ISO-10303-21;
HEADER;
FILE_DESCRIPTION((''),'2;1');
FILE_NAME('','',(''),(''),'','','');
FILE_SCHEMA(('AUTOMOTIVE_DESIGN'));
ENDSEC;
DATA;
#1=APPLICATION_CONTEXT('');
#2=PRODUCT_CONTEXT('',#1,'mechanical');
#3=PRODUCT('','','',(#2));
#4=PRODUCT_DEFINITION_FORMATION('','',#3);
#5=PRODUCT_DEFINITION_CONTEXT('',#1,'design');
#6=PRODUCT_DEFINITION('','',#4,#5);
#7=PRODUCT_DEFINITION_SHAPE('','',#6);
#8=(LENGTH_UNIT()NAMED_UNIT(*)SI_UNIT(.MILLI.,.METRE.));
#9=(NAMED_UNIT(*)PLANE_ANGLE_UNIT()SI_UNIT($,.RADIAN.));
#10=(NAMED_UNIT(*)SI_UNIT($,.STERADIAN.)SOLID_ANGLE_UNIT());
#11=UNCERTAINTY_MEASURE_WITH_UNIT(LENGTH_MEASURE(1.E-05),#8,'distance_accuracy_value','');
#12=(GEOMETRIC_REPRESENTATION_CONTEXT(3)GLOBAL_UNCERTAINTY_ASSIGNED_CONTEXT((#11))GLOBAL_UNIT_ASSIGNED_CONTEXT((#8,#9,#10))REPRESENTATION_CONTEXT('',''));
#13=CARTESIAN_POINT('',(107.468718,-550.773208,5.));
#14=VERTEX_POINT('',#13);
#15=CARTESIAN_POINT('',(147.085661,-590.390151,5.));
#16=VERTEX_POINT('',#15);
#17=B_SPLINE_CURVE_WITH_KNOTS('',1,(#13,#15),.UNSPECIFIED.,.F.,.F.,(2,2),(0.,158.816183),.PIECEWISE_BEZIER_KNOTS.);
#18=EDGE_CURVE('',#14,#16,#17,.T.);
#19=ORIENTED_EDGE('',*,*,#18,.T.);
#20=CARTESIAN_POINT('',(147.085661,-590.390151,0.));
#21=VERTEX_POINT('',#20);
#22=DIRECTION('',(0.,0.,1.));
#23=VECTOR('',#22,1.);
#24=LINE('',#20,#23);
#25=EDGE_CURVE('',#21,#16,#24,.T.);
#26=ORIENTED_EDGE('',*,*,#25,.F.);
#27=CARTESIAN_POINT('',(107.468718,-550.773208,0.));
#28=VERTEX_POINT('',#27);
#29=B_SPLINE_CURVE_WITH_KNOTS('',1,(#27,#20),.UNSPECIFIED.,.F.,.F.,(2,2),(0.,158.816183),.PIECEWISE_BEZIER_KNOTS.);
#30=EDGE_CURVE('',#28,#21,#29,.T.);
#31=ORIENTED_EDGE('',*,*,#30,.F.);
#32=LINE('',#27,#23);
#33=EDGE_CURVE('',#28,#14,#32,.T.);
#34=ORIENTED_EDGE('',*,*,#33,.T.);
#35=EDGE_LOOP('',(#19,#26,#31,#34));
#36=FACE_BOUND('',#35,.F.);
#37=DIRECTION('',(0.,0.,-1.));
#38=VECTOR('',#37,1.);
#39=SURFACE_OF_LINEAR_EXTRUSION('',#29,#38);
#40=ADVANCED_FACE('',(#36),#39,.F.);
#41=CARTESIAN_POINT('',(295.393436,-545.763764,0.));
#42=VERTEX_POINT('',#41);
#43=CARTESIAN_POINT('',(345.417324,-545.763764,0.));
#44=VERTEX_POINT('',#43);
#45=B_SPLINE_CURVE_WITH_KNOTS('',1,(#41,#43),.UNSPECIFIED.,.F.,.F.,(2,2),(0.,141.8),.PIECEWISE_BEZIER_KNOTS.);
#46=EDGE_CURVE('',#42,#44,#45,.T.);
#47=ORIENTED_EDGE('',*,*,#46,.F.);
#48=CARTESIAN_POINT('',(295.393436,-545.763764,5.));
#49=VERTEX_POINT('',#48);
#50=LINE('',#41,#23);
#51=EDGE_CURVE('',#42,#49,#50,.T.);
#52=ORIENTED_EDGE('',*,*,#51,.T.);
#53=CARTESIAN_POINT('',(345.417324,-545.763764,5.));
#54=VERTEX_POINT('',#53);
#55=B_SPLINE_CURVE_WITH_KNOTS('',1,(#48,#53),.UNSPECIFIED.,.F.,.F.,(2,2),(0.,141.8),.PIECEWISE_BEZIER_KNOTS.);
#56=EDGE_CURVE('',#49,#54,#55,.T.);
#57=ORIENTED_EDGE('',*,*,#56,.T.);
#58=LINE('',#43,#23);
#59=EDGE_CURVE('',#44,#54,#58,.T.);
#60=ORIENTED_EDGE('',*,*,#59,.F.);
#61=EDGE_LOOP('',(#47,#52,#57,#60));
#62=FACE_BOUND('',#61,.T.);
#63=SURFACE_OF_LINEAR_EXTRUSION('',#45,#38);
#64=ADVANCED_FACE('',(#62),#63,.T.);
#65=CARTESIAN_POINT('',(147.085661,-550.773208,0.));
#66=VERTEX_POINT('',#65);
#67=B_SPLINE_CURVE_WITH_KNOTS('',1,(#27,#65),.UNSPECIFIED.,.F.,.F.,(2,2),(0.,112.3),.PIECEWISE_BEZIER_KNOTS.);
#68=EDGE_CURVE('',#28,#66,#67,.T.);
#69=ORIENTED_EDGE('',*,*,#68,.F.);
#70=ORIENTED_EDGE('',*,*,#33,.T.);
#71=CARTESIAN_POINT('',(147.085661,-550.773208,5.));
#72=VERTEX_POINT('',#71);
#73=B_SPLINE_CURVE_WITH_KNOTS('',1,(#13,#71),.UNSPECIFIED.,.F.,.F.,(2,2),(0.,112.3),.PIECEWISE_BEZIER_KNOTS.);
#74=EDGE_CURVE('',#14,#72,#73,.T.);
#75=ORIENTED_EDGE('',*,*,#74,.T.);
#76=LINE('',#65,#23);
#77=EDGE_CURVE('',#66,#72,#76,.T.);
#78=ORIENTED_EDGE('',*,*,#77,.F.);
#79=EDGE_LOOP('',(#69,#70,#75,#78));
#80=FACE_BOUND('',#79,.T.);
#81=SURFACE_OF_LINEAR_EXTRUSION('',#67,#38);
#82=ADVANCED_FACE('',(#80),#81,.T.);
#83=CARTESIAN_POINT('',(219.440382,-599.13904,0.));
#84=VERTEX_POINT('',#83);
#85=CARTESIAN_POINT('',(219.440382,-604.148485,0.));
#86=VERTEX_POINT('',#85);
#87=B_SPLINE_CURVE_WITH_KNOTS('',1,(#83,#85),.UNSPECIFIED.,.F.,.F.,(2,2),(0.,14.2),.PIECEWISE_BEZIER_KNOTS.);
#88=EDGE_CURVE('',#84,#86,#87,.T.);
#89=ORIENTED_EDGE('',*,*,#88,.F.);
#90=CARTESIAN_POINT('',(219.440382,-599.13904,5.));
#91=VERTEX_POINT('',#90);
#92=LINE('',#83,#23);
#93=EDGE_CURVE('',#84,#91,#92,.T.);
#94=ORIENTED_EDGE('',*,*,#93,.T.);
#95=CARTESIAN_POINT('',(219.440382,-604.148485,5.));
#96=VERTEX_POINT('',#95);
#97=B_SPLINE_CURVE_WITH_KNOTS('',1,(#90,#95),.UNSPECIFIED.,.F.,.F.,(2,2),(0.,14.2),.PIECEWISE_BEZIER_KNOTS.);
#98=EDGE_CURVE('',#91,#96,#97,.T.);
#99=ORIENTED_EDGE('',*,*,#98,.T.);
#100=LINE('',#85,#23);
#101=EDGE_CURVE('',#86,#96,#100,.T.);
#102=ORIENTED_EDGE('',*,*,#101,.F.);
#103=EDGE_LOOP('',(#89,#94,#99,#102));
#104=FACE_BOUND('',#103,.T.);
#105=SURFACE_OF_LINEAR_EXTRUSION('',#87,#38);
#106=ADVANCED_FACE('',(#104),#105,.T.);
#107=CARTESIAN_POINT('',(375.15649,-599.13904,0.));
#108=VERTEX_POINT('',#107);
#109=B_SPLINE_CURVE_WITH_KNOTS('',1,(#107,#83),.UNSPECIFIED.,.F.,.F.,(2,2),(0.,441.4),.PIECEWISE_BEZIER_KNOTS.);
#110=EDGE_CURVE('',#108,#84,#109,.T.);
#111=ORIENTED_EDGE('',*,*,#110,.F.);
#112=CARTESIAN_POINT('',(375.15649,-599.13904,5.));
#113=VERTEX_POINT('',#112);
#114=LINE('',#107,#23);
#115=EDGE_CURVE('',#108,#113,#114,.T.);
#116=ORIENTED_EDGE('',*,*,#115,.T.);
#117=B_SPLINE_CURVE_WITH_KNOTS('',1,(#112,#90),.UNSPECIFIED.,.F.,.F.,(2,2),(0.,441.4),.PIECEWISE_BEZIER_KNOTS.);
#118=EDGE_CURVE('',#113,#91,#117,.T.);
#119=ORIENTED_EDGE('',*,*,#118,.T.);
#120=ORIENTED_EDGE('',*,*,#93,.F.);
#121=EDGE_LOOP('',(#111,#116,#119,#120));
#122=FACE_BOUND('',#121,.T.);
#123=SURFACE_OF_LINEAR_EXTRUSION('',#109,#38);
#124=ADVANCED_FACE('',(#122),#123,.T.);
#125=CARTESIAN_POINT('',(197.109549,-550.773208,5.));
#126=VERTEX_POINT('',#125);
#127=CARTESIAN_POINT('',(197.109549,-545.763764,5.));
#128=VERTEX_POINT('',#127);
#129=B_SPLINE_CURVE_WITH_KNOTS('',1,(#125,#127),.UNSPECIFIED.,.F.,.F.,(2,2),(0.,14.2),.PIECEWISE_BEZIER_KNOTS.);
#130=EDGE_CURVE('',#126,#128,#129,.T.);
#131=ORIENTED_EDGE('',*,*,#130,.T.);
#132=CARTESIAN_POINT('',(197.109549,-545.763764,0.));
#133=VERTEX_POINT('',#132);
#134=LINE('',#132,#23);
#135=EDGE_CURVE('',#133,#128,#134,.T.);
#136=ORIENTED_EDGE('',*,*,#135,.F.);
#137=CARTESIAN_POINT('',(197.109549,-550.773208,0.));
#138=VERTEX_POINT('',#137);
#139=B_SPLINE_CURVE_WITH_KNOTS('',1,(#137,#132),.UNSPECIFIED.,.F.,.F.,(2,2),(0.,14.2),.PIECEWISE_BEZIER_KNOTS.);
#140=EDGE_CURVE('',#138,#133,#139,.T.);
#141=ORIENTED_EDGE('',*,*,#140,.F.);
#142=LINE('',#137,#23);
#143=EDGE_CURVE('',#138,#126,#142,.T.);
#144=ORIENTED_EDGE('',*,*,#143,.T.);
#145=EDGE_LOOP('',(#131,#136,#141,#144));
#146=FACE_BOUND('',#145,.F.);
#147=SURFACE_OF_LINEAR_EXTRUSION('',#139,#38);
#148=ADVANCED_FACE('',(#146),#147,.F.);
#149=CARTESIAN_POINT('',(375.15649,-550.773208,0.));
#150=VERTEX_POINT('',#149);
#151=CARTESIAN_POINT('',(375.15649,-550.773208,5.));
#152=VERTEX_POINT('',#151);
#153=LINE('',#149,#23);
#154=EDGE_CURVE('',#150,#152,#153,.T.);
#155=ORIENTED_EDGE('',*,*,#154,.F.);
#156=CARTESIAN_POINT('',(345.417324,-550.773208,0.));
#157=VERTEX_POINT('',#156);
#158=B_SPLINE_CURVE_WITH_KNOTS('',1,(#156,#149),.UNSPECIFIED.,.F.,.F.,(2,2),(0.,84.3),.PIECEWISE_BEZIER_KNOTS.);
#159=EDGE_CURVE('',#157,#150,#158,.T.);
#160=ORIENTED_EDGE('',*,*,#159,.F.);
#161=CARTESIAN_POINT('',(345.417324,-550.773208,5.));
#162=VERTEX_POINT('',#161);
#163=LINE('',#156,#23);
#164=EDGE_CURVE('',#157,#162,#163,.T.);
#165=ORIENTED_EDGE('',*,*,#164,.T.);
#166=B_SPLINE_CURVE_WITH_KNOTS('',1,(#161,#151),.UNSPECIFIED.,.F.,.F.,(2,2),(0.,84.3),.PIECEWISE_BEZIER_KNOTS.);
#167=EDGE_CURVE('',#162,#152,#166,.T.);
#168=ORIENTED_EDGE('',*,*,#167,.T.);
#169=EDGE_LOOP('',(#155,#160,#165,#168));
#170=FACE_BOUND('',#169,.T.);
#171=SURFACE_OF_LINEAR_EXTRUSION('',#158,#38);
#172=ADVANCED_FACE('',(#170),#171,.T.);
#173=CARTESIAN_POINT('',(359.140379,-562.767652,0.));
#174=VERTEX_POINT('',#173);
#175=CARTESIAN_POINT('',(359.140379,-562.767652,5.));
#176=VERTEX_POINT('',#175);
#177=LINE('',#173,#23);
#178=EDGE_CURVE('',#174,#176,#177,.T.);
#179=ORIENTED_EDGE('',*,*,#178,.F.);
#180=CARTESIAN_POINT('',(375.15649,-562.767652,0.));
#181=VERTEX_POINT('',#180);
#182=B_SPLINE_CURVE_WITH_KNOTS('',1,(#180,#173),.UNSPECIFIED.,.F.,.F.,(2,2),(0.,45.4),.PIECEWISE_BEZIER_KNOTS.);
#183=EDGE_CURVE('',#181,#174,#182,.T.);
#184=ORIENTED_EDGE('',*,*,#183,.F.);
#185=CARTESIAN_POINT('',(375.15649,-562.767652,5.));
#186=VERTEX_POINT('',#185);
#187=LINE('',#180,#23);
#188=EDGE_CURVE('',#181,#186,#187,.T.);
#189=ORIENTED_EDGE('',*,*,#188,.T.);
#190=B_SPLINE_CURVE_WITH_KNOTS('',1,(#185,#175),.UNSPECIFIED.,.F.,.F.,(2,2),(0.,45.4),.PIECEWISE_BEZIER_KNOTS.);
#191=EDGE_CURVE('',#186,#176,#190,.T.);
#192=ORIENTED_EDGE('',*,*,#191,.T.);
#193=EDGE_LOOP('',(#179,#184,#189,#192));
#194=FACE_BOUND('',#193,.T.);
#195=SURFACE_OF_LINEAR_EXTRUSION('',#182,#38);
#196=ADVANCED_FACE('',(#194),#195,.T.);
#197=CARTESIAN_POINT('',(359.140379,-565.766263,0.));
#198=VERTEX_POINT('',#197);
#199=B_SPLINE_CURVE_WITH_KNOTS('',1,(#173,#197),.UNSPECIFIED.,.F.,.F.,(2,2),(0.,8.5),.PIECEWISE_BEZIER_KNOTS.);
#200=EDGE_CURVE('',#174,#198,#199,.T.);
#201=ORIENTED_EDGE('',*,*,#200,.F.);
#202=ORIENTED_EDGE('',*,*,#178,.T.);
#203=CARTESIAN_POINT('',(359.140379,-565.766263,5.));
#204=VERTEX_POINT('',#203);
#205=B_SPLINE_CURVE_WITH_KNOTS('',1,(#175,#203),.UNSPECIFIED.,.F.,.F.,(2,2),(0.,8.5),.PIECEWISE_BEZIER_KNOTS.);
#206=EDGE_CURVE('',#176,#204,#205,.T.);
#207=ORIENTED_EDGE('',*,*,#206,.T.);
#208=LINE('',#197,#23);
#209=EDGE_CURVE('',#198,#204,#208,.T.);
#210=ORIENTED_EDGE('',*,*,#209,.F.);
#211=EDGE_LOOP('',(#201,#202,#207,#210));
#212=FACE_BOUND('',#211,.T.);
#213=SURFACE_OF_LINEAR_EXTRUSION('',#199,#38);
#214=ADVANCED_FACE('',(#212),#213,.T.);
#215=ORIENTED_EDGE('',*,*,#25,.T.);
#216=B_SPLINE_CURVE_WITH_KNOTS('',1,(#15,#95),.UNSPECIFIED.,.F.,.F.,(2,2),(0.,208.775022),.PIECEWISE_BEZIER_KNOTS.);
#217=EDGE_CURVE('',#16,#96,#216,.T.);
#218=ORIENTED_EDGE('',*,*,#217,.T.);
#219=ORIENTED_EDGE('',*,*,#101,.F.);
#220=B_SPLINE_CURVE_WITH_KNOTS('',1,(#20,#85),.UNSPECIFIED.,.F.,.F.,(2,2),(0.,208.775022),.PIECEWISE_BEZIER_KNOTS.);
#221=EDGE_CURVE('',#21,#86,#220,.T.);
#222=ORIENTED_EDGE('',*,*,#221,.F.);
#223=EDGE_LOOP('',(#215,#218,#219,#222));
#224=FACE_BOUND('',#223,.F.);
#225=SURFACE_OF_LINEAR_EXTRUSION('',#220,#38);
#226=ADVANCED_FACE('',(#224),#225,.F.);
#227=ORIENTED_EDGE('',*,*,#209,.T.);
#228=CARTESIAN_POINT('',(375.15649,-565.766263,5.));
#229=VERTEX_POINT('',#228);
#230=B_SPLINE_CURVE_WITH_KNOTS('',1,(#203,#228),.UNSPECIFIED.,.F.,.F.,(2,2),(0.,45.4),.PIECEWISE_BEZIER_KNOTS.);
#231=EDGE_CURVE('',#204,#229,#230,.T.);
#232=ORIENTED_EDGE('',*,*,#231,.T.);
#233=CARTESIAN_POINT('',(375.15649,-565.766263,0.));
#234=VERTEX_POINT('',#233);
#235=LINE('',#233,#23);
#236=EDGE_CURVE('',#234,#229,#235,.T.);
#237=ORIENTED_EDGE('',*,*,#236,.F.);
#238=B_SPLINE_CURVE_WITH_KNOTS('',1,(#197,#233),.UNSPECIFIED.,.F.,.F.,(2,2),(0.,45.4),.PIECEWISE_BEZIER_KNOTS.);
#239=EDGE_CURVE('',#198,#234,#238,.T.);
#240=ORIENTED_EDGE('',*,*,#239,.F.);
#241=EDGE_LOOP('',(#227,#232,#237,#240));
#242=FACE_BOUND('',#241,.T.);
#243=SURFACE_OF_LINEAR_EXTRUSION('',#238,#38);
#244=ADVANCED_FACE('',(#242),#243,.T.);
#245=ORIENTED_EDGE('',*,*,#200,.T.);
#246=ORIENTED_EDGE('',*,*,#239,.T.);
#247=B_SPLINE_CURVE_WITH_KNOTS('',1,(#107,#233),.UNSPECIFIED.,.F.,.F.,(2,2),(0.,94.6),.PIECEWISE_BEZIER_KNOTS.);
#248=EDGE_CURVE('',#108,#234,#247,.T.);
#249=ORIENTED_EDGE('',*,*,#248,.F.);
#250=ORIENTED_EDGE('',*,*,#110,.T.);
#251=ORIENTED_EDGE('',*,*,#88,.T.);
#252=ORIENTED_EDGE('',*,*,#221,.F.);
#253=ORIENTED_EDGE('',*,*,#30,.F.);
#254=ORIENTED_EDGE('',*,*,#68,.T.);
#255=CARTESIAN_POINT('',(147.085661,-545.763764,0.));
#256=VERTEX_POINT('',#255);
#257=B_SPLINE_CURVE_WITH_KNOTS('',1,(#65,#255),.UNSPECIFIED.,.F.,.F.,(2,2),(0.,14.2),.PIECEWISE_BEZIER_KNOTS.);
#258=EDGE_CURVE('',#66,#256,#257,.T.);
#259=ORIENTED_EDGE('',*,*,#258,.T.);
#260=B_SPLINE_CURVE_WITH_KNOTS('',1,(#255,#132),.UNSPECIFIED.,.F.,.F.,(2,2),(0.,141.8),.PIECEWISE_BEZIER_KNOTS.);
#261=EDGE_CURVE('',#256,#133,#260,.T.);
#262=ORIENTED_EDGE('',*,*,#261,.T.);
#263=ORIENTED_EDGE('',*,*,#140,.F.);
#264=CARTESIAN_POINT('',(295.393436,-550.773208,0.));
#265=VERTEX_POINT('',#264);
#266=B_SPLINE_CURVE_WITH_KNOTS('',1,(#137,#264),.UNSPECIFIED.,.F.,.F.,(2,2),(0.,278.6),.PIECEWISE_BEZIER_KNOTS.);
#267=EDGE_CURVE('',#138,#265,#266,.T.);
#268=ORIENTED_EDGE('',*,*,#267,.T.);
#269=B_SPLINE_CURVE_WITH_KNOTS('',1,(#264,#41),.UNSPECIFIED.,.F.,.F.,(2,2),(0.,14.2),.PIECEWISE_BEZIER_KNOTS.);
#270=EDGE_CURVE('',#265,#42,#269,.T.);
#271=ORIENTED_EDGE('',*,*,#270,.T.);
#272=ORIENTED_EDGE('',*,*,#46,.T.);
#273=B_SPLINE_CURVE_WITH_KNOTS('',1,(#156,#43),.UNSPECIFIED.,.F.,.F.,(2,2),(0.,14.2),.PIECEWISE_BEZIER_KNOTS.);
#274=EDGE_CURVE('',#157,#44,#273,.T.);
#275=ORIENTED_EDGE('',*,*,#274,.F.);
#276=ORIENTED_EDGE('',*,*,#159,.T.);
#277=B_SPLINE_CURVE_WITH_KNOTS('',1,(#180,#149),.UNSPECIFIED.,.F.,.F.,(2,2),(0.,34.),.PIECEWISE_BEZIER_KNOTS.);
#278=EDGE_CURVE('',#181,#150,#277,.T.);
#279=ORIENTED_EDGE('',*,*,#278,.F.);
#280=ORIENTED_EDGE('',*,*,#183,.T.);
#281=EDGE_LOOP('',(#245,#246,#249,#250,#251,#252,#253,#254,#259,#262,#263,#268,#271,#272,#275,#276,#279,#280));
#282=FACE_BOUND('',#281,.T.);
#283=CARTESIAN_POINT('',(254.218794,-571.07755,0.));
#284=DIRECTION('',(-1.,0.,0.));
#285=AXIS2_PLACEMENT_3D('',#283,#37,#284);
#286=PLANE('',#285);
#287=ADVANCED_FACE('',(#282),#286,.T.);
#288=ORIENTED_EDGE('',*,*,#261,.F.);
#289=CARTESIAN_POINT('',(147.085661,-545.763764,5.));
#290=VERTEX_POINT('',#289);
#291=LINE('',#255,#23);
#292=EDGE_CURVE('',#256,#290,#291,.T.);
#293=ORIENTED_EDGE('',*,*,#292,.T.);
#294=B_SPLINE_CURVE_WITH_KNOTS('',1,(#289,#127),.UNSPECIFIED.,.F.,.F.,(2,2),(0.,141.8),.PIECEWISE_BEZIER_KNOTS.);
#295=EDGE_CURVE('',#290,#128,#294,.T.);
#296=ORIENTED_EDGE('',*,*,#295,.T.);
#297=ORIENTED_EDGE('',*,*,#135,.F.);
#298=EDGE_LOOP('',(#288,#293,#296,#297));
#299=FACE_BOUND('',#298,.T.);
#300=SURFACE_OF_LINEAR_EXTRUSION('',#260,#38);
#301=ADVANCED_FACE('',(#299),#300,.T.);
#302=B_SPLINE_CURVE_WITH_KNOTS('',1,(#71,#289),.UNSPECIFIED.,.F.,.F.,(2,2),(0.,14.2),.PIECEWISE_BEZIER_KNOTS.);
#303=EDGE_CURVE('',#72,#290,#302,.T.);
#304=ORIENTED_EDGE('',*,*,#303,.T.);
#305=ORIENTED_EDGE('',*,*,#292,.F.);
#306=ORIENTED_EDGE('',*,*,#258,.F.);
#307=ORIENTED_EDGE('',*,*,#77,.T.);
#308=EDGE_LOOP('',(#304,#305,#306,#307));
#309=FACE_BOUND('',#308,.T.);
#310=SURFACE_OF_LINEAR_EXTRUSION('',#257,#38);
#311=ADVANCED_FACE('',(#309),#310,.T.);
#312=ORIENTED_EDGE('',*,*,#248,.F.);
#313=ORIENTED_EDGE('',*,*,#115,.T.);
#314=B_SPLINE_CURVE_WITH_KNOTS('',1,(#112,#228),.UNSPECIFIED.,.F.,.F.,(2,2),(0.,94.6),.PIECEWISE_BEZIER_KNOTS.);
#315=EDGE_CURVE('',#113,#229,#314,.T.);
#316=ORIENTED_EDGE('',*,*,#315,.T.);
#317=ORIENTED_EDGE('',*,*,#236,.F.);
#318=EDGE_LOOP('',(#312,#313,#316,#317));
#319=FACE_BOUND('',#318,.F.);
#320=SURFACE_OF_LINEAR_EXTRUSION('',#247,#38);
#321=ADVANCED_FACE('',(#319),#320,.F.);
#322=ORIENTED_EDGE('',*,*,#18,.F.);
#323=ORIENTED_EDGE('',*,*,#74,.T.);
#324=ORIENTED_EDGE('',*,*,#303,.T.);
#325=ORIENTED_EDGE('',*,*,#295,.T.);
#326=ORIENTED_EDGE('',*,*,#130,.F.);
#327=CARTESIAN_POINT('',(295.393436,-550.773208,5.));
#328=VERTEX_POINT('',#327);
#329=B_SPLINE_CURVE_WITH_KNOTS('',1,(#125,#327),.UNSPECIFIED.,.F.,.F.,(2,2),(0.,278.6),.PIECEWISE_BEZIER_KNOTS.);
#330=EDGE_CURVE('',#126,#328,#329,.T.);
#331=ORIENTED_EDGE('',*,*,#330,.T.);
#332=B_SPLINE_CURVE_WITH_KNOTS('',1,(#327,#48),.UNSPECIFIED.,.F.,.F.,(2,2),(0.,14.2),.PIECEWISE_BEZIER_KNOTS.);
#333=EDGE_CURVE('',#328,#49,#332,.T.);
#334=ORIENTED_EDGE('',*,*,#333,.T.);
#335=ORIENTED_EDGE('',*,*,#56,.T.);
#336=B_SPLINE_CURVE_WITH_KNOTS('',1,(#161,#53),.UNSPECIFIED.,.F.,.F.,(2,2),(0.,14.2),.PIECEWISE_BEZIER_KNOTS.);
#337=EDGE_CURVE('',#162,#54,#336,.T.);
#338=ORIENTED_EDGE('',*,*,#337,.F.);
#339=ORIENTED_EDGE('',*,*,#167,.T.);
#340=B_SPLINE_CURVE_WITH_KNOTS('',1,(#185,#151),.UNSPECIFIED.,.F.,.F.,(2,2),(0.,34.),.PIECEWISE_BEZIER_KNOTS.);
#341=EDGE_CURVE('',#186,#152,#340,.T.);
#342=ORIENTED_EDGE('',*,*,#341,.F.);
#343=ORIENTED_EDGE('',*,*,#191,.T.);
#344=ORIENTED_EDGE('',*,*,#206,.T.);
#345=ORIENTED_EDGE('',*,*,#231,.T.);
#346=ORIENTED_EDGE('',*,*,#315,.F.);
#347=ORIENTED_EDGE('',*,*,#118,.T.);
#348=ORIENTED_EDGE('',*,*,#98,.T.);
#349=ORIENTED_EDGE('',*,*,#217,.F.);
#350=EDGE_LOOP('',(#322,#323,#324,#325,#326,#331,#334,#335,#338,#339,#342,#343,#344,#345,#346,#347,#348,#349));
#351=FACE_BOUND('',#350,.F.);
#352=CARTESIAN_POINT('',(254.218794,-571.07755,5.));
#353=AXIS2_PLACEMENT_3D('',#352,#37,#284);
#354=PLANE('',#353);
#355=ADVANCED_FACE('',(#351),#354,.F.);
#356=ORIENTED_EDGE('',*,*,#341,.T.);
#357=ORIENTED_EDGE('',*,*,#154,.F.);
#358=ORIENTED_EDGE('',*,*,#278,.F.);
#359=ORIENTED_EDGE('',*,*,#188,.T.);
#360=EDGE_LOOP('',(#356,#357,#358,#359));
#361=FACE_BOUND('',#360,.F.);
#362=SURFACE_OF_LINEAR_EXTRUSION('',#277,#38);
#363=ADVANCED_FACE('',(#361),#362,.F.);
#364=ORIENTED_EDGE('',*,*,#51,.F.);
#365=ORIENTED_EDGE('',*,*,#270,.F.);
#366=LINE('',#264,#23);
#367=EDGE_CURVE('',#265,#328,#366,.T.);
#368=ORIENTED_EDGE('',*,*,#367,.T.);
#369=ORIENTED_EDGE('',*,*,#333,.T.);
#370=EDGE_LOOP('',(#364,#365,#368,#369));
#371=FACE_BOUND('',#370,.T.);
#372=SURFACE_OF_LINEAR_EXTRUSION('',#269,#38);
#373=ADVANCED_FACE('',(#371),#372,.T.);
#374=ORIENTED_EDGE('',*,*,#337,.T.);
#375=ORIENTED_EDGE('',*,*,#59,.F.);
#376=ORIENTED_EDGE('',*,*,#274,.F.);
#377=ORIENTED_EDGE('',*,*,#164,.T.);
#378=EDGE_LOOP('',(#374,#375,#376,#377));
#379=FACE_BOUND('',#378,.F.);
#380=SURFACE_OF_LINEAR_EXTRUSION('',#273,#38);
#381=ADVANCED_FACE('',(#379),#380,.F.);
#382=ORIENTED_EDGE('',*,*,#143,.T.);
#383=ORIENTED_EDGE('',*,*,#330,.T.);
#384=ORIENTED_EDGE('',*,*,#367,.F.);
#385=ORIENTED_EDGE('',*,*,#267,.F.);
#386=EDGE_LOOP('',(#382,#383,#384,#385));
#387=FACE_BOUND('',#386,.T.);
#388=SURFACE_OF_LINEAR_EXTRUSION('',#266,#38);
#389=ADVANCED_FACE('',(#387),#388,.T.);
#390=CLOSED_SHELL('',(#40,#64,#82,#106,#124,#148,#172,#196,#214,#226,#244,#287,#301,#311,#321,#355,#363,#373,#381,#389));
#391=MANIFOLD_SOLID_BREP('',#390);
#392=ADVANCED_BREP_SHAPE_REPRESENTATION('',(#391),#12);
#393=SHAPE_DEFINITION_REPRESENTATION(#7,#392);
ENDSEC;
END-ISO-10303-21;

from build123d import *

# Parameters (mm, degrees)
PAD008_DEPTH = 5


with BuildPart() as part:
    # Sketch009 → Pad008 (new body)
    with BuildSketch(Plane.XY):
        with BuildLine():
            add(Edge.make_bspline(
                [(107.468718, -550.773208), (147.085661, -550.773208)],
                knots=[0, 0, 112.3, 112.3], degree=1))
            add(Edge.make_bspline(
                [(147.085661, -550.773208), (147.085661, -545.763764)],
                knots=[0, 0, 14.2, 14.2], degree=1))
            add(Edge.make_bspline(
                [(147.085661, -545.763764), (197.109549, -545.763764)],
                knots=[0, 0, 141.8, 141.8], degree=1))
            add(Edge.make_bspline(
                [(197.109549, -550.773208), (197.109549, -545.763764)],
                knots=[0, 0, 14.2, 14.2], degree=1))
            add(Edge.make_bspline(
                [(197.109549, -550.773208), (295.393436, -550.773208)],
                knots=[0, 0, 278.6, 278.6], degree=1))
            add(Edge.make_bspline(
                [(295.393436, -550.773208), (295.393436, -545.763764)],
                knots=[0, 0, 14.2, 14.2], degree=1))
            add(Edge.make_bspline(
                [(295.393436, -545.763764), (345.417324, -545.763764)],
                knots=[0, 0, 141.8, 141.8], degree=1))
            add(Edge.make_bspline(
                [(345.417324, -550.773208), (345.417324, -545.763764)],
                knots=[0, 0, 14.2, 14.2], degree=1))
            add(Edge.make_bspline(
                [(345.417324, -550.773208), (375.15649, -550.773208)],
                knots=[0, 0, 84.3, 84.3], degree=1))
            add(Edge.make_bspline(
                [(375.15649, -562.767652), (375.15649, -550.773208)],
                knots=[0, 0, 34, 34], degree=1))
            add(Edge.make_bspline(
                [(375.15649, -562.767652), (359.140379, -562.767652)],
                knots=[0, 0, 45.4, 45.4], degree=1))
            add(Edge.make_bspline(
                [(359.140379, -562.767652), (359.140379, -565.766263)],
                knots=[0, 0, 8.5, 8.5], degree=1))
            add(Edge.make_bspline(
                [(359.140379, -565.766263), (375.15649, -565.766263)],
                knots=[0, 0, 45.4, 45.4], degree=1))
            add(Edge.make_bspline(
                [(375.15649, -599.13904), (375.15649, -565.766263)],
                knots=[0, 0, 94.6, 94.6], degree=1))
            add(Edge.make_bspline(
                [(375.15649, -599.13904), (219.440382, -599.13904)],
                knots=[0, 0, 441.4, 441.4], degree=1))
            add(Edge.make_bspline(
                [(219.440382, -599.13904), (219.440382, -604.148485)],
                knots=[0, 0, 14.2, 14.2], degree=1))
            add(Edge.make_bspline(
                [(147.085661, -590.390151), (219.440382, -604.148485)],
                knots=[0, 0, 208.775022, 208.775022], degree=1))
            add(Edge.make_bspline(
                [(107.468718, -550.773208), (147.085661, -590.390151)],
                knots=[0, 0, 158.816183, 158.816183], degree=1))
        make_face()
    extrude(amount=PAD008_DEPTH)


solid = part.part
